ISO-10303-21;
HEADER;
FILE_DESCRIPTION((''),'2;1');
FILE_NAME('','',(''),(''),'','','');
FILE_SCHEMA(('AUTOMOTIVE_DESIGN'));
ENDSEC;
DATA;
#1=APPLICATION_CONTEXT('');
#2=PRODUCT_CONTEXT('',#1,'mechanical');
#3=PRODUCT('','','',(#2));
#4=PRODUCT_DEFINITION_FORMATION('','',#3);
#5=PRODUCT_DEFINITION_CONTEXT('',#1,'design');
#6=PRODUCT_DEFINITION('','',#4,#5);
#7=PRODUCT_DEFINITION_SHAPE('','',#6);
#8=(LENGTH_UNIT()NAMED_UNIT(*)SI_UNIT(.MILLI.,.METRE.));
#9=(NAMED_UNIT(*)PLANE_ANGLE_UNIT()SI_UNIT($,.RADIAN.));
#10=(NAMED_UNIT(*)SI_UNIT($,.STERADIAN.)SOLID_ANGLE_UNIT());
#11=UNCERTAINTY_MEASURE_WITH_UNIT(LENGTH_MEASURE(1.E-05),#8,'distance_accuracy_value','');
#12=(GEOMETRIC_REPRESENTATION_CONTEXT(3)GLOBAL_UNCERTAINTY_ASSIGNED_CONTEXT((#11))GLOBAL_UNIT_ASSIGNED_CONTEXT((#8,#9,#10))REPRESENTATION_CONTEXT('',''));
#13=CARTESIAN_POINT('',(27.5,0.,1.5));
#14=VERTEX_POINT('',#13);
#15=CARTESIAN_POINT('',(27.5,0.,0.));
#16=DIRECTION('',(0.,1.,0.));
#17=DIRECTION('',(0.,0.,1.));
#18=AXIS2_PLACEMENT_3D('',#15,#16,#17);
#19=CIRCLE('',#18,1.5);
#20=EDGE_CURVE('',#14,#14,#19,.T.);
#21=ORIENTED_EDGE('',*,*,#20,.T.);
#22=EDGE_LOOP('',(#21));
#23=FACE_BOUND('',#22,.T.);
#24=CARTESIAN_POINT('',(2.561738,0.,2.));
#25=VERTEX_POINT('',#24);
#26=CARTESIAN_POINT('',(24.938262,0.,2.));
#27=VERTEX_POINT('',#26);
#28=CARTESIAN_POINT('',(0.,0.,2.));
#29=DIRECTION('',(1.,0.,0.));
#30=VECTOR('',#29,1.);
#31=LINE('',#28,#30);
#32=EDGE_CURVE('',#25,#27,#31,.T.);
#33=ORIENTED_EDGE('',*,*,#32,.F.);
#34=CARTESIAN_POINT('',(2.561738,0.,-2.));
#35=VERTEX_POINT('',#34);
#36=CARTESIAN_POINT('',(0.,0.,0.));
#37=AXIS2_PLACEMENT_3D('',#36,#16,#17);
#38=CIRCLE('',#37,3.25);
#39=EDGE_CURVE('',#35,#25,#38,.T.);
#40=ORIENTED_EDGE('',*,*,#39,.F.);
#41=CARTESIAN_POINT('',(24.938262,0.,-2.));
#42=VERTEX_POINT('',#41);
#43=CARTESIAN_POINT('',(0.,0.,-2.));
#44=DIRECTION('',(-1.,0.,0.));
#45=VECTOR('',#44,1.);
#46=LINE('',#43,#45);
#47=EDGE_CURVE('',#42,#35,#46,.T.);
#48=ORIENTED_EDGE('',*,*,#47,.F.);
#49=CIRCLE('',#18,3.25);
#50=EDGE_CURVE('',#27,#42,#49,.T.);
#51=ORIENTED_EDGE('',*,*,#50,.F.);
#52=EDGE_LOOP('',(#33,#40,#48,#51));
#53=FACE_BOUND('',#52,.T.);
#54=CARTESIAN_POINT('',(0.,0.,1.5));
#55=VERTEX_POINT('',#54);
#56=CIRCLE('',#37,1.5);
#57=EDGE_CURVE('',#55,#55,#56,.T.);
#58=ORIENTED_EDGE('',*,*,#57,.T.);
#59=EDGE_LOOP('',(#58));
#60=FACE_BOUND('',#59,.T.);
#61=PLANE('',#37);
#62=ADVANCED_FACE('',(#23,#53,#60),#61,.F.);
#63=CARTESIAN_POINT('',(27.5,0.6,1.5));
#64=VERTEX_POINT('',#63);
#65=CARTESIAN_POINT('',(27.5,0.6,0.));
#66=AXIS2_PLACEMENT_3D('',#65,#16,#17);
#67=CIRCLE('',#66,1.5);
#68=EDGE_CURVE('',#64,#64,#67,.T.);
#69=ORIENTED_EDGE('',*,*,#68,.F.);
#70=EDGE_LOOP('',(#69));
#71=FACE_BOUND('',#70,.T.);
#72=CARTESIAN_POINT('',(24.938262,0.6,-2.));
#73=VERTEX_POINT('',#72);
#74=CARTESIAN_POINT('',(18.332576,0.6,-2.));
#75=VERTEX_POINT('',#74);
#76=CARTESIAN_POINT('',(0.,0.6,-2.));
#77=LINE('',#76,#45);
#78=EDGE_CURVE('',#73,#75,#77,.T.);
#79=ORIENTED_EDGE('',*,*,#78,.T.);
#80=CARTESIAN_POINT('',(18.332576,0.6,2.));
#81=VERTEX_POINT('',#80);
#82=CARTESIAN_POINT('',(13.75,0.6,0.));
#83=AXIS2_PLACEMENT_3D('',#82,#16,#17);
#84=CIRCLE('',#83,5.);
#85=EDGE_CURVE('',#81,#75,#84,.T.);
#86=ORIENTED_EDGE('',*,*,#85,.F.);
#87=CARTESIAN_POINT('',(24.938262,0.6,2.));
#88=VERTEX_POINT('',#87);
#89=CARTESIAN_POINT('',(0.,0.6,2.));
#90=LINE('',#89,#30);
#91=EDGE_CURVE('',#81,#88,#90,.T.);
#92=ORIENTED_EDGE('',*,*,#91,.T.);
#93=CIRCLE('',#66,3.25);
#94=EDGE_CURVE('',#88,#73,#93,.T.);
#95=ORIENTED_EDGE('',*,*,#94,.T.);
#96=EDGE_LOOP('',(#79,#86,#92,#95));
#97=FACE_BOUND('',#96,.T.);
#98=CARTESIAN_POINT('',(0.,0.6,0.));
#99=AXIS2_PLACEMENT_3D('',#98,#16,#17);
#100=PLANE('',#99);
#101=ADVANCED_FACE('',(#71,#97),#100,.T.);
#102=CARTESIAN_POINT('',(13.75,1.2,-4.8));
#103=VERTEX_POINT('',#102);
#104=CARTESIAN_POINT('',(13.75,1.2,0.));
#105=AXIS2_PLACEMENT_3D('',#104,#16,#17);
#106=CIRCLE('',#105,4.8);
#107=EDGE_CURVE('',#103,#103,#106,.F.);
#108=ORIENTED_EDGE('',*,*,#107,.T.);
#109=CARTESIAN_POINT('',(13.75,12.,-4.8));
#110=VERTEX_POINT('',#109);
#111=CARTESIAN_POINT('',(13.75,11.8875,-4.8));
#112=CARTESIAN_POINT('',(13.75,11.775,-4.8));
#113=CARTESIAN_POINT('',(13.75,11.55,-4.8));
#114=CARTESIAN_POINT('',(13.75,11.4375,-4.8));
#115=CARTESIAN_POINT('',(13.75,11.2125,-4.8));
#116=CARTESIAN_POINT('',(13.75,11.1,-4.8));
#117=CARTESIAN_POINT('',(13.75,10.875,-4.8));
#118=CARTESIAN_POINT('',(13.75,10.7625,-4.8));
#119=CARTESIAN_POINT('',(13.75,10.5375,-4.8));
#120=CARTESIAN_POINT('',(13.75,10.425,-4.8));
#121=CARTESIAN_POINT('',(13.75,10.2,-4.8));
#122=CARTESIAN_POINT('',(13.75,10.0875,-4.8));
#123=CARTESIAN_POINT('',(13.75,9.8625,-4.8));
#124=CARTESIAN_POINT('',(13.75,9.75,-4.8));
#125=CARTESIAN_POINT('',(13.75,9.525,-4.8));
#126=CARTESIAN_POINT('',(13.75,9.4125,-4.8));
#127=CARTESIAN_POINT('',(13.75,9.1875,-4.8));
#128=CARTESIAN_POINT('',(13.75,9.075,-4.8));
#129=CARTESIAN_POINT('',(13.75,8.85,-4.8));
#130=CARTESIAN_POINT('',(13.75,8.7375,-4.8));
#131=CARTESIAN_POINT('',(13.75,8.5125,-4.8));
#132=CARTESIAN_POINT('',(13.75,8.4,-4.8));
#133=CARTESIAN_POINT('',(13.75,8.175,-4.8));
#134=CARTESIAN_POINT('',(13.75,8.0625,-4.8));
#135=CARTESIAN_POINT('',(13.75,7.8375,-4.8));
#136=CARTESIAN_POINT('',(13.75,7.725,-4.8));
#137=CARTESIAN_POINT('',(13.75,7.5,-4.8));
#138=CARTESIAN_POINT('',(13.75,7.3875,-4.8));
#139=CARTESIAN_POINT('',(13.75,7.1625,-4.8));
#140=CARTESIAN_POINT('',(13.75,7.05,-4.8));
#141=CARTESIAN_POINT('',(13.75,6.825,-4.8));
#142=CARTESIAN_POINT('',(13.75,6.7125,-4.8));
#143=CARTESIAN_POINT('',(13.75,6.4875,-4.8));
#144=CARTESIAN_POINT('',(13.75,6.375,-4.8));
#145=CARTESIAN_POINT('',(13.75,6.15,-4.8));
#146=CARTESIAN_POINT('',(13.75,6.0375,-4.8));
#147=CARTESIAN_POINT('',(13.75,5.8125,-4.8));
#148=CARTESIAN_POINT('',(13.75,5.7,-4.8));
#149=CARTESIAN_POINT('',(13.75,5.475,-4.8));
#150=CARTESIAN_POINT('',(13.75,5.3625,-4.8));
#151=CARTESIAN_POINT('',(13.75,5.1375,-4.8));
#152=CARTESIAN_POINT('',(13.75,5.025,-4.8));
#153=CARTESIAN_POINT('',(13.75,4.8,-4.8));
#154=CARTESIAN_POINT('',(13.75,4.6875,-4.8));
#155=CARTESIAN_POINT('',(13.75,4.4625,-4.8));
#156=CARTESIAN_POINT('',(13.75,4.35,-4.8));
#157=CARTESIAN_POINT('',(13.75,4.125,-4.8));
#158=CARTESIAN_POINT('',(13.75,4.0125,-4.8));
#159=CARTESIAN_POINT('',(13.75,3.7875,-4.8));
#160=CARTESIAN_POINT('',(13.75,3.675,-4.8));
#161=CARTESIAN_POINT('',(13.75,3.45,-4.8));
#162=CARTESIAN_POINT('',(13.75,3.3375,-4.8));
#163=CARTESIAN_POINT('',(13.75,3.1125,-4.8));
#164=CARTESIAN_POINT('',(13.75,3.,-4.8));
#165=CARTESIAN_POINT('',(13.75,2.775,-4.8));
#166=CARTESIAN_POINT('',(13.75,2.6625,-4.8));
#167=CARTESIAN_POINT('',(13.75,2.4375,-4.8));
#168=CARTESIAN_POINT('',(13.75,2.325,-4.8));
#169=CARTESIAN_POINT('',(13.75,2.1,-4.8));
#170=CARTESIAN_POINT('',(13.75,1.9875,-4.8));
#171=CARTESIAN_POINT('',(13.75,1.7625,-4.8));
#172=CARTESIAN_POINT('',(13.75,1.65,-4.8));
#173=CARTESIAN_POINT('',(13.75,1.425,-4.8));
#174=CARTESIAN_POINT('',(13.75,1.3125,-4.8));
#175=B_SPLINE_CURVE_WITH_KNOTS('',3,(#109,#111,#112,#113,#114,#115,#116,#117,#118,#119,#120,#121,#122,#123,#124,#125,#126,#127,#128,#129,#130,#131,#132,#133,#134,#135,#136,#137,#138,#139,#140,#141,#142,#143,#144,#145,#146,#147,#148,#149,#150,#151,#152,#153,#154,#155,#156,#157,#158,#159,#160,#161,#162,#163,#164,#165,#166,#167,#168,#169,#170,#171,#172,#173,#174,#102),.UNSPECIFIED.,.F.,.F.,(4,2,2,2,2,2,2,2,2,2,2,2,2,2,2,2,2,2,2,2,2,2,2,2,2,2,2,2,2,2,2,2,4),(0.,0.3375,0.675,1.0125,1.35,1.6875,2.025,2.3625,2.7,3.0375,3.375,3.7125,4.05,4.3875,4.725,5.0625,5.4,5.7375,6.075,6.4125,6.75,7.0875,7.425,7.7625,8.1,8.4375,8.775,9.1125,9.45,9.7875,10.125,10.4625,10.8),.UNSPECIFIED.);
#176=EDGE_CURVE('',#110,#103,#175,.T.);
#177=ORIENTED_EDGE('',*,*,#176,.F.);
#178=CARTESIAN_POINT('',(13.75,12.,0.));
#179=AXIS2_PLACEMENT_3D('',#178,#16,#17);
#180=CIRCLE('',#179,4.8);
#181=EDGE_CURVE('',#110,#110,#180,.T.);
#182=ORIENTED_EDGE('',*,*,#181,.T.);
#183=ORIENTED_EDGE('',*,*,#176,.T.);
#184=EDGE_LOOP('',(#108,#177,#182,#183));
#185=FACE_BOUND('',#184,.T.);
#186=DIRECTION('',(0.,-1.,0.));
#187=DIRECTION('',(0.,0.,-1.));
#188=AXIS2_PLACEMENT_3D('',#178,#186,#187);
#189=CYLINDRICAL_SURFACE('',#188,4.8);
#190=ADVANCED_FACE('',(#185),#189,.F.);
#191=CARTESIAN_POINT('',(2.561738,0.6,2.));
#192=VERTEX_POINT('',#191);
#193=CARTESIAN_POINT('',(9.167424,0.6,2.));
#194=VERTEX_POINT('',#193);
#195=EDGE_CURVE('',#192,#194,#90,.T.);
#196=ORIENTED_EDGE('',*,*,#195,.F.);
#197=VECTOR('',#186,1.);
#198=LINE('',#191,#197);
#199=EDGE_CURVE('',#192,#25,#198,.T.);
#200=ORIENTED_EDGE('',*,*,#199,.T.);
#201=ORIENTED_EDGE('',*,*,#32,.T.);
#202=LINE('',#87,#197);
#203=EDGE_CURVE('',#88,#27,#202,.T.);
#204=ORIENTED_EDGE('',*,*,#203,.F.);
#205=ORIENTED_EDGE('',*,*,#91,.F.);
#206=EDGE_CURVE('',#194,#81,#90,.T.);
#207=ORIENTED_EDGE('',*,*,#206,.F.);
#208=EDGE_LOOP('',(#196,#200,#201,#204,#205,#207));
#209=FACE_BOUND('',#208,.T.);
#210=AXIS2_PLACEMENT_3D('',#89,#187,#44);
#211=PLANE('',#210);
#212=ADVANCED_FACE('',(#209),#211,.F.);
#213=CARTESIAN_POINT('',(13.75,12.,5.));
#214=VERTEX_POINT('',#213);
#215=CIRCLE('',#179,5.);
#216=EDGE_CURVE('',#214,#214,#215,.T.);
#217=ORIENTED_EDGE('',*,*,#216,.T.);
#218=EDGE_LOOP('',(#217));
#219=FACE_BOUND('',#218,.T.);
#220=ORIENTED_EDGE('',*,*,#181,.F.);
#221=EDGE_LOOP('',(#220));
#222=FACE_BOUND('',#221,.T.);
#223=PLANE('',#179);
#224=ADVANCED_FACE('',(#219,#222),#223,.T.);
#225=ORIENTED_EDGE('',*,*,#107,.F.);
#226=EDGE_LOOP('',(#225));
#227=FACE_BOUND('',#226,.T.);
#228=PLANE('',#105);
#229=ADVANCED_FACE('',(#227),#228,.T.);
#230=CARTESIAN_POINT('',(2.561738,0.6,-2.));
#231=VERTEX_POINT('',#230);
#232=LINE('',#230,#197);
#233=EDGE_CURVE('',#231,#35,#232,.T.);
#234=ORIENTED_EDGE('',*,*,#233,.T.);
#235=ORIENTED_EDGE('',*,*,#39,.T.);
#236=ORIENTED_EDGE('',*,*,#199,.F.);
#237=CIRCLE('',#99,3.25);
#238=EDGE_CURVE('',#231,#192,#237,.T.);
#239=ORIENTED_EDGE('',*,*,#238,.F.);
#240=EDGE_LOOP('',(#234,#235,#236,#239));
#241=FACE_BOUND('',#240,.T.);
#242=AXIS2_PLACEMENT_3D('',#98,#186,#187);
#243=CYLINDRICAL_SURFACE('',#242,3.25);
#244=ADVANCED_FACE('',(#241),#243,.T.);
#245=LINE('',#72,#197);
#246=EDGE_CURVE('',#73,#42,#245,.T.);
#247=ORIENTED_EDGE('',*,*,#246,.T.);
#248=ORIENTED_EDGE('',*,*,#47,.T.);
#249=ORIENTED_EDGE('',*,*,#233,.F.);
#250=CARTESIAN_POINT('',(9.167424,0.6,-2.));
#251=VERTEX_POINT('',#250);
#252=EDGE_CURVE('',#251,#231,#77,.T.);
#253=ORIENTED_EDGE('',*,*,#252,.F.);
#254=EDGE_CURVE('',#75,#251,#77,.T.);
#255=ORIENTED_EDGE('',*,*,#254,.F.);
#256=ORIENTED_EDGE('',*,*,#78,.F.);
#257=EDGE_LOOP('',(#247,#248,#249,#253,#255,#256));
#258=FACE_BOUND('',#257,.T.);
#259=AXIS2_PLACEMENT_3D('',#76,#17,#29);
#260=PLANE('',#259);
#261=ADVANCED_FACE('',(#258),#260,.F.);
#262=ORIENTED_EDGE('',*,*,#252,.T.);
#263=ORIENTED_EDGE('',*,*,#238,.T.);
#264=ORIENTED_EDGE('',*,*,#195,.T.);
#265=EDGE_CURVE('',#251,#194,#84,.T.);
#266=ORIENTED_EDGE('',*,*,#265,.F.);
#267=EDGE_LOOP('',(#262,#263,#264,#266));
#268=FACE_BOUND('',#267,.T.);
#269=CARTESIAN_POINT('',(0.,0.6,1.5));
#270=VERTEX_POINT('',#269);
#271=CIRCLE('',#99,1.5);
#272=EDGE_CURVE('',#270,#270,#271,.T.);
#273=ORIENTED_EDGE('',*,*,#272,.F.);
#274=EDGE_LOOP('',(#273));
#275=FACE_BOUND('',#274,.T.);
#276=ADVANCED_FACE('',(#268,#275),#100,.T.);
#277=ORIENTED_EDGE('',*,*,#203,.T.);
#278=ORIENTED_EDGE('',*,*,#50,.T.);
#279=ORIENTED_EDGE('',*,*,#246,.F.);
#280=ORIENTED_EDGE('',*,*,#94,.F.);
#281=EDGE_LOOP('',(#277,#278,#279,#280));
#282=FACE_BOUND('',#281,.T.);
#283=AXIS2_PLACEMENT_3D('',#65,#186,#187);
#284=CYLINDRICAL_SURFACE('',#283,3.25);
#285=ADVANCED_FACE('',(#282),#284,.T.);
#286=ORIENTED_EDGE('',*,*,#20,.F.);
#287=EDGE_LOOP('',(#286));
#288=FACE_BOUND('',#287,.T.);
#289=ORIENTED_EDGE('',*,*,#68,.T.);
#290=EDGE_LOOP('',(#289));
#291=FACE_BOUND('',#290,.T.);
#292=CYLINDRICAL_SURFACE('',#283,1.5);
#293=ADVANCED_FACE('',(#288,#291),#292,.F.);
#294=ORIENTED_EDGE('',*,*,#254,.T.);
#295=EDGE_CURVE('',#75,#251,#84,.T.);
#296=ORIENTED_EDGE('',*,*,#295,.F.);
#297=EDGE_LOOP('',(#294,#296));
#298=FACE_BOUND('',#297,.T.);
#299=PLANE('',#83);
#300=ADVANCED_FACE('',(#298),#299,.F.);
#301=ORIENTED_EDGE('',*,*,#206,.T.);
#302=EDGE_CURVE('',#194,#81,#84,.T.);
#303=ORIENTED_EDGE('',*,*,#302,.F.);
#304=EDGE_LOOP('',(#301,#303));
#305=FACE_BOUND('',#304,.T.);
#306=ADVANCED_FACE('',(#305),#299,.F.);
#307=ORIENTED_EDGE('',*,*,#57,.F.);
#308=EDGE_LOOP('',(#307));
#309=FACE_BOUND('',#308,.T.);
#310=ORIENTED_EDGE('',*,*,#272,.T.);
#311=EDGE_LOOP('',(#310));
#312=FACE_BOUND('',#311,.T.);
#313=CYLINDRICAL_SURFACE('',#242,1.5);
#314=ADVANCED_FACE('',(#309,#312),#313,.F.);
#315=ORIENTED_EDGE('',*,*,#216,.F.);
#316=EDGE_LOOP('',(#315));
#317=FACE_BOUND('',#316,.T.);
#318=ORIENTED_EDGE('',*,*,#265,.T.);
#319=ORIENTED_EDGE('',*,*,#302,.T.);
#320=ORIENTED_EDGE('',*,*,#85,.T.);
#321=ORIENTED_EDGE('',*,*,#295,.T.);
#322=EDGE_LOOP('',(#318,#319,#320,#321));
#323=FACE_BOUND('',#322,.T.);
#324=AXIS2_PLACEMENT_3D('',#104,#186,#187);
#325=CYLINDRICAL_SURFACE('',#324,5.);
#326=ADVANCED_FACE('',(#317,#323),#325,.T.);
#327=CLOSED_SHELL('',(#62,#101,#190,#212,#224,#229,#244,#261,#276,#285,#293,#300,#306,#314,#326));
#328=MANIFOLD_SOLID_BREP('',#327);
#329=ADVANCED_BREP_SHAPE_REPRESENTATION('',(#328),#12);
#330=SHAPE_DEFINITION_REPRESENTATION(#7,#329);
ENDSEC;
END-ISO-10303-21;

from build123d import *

# Parameters (mm, degrees)
SCHIZZO1_R                   = 1.5
ESTRUSIONE_ESTRUSIONE1_DEPTH = 0.6
SCHIZZO2_R                   = 5
ESTRUSIONE_ESTRUSIONE2_DEPTH = 0.6
SCHIZZO3_R                   = 5
SCHIZZO3_R_2                 = 4.8
ESTRUSIONE_ESTRUSIONE3_DEPTH = 10.8


with BuildPart() as part:
    # Schizzo1 → Estrusione-Estrusione1 (new body)
    # profile 1 of 5: a face of its own
    with BuildSketch(Plane(origin=(0, 0, 0), x_dir=(1, 0, 0), z_dir=(0, 1, 0))):
        with BuildLine():
            ThreePointArc((2.561737691, 2), (-3.25, 0), (2.561737691, -2))
            Line((2.561737691, -2), (2.561737691, 2))
        make_face()
        with Locations(Location((0, 0, 0), (0, 0, 270))):
            Circle(SCHIZZO1_R, mode=Mode.SUBTRACT)
    # profile 2 of 5: a face of its own
    with BuildSketch(Plane(origin=(0, 0, 0), x_dir=(1, 0, 0), z_dir=(0, 1, 0))):
        with BuildLine():
            ThreePointArc((3.25, 0), (3.073121174, -1.057556737), (2.561737691, -2))
            Line((2.561737691, -2), (24.938262309, -2))
            ThreePointArc((24.938262309, -2), (24.25, 0), (24.938262309, 2))
            Line((24.938262309, 2), (2.561737691, 2))
            ThreePointArc((2.561737691, 2), (3.073121174, 1.057556737), (3.25, 0))
        make_face()
    # profile 3 of 5: a face of its own
    with BuildSketch(Plane(origin=(0, 0, 0), x_dir=(1, 0, 0), z_dir=(0, 1, 0))):
        with BuildLine():
            Line((2.561737691, 2), (2.561737691, -2))
            ThreePointArc((2.561737691, -2), (3.073121174, -1.057556737), (3.25, 0))
            ThreePointArc((3.25, 0), (3.073121174, 1.057556737), (2.561737691, 2))
        make_face()
    # profile 4 of 5: a face of its own
    with BuildSketch(Plane(origin=(0, 0, 0), x_dir=(1, 0, 0), z_dir=(0, 1, 0))):
        with BuildLine():
            Line((24.938262309, 2), (24.938262309, -2))
            ThreePointArc((24.938262309, -2), (28.557556737, -3.073121174), (30.75, 0))
            ThreePointArc((30.75, 0), (28.557556737, 3.073121174), (24.938262309, 2))
        make_face()
        with Locations(Location((27.5, 0, 0), (0, 0, 270))):
            Circle(SCHIZZO1_R, mode=Mode.SUBTRACT)
    # profile 5 of 5: a face of its own
    with BuildSketch(Plane(origin=(0, 0, 0), x_dir=(1, 0, 0), z_dir=(0, 1, 0))):
        with BuildLine():
            ThreePointArc((24.938262309, 2), (24.25, 0), (24.938262309, -2))
            Line((24.938262309, -2), (24.938262309, 2))
        make_face()
    extrude(amount=ESTRUSIONE_ESTRUSIONE1_DEPTH)

    # Schizzo2 → Estrusione-Estrusione2 (add)
    with BuildSketch(Plane(origin=(0, 0.6, 0), x_dir=(1, 0, 0), z_dir=(0, 1, 0))):
        with Locations(Location((13.75, 0, 0), (0, 0, 23.578178478))):
            Circle(SCHIZZO2_R)
    extrude(amount=ESTRUSIONE_ESTRUSIONE2_DEPTH)

    # Schizzo3 → Estrusione-Estrusione3 (add)
    with BuildSketch(Plane(origin=(0, 1.2, 0), x_dir=(1, 0, 0), z_dir=(0, 1, 0))):
        with Locations(Location((13.75, 0, 0), (0, 0, 23.578178478))):
            Circle(SCHIZZO3_R)
        with Locations(Location((13.75, 0, 0), (0, 0, 90))):
            Circle(SCHIZZO3_R_2, mode=Mode.SUBTRACT)
    extrude(amount=ESTRUSIONE_ESTRUSIONE3_DEPTH)


solid = part.part
